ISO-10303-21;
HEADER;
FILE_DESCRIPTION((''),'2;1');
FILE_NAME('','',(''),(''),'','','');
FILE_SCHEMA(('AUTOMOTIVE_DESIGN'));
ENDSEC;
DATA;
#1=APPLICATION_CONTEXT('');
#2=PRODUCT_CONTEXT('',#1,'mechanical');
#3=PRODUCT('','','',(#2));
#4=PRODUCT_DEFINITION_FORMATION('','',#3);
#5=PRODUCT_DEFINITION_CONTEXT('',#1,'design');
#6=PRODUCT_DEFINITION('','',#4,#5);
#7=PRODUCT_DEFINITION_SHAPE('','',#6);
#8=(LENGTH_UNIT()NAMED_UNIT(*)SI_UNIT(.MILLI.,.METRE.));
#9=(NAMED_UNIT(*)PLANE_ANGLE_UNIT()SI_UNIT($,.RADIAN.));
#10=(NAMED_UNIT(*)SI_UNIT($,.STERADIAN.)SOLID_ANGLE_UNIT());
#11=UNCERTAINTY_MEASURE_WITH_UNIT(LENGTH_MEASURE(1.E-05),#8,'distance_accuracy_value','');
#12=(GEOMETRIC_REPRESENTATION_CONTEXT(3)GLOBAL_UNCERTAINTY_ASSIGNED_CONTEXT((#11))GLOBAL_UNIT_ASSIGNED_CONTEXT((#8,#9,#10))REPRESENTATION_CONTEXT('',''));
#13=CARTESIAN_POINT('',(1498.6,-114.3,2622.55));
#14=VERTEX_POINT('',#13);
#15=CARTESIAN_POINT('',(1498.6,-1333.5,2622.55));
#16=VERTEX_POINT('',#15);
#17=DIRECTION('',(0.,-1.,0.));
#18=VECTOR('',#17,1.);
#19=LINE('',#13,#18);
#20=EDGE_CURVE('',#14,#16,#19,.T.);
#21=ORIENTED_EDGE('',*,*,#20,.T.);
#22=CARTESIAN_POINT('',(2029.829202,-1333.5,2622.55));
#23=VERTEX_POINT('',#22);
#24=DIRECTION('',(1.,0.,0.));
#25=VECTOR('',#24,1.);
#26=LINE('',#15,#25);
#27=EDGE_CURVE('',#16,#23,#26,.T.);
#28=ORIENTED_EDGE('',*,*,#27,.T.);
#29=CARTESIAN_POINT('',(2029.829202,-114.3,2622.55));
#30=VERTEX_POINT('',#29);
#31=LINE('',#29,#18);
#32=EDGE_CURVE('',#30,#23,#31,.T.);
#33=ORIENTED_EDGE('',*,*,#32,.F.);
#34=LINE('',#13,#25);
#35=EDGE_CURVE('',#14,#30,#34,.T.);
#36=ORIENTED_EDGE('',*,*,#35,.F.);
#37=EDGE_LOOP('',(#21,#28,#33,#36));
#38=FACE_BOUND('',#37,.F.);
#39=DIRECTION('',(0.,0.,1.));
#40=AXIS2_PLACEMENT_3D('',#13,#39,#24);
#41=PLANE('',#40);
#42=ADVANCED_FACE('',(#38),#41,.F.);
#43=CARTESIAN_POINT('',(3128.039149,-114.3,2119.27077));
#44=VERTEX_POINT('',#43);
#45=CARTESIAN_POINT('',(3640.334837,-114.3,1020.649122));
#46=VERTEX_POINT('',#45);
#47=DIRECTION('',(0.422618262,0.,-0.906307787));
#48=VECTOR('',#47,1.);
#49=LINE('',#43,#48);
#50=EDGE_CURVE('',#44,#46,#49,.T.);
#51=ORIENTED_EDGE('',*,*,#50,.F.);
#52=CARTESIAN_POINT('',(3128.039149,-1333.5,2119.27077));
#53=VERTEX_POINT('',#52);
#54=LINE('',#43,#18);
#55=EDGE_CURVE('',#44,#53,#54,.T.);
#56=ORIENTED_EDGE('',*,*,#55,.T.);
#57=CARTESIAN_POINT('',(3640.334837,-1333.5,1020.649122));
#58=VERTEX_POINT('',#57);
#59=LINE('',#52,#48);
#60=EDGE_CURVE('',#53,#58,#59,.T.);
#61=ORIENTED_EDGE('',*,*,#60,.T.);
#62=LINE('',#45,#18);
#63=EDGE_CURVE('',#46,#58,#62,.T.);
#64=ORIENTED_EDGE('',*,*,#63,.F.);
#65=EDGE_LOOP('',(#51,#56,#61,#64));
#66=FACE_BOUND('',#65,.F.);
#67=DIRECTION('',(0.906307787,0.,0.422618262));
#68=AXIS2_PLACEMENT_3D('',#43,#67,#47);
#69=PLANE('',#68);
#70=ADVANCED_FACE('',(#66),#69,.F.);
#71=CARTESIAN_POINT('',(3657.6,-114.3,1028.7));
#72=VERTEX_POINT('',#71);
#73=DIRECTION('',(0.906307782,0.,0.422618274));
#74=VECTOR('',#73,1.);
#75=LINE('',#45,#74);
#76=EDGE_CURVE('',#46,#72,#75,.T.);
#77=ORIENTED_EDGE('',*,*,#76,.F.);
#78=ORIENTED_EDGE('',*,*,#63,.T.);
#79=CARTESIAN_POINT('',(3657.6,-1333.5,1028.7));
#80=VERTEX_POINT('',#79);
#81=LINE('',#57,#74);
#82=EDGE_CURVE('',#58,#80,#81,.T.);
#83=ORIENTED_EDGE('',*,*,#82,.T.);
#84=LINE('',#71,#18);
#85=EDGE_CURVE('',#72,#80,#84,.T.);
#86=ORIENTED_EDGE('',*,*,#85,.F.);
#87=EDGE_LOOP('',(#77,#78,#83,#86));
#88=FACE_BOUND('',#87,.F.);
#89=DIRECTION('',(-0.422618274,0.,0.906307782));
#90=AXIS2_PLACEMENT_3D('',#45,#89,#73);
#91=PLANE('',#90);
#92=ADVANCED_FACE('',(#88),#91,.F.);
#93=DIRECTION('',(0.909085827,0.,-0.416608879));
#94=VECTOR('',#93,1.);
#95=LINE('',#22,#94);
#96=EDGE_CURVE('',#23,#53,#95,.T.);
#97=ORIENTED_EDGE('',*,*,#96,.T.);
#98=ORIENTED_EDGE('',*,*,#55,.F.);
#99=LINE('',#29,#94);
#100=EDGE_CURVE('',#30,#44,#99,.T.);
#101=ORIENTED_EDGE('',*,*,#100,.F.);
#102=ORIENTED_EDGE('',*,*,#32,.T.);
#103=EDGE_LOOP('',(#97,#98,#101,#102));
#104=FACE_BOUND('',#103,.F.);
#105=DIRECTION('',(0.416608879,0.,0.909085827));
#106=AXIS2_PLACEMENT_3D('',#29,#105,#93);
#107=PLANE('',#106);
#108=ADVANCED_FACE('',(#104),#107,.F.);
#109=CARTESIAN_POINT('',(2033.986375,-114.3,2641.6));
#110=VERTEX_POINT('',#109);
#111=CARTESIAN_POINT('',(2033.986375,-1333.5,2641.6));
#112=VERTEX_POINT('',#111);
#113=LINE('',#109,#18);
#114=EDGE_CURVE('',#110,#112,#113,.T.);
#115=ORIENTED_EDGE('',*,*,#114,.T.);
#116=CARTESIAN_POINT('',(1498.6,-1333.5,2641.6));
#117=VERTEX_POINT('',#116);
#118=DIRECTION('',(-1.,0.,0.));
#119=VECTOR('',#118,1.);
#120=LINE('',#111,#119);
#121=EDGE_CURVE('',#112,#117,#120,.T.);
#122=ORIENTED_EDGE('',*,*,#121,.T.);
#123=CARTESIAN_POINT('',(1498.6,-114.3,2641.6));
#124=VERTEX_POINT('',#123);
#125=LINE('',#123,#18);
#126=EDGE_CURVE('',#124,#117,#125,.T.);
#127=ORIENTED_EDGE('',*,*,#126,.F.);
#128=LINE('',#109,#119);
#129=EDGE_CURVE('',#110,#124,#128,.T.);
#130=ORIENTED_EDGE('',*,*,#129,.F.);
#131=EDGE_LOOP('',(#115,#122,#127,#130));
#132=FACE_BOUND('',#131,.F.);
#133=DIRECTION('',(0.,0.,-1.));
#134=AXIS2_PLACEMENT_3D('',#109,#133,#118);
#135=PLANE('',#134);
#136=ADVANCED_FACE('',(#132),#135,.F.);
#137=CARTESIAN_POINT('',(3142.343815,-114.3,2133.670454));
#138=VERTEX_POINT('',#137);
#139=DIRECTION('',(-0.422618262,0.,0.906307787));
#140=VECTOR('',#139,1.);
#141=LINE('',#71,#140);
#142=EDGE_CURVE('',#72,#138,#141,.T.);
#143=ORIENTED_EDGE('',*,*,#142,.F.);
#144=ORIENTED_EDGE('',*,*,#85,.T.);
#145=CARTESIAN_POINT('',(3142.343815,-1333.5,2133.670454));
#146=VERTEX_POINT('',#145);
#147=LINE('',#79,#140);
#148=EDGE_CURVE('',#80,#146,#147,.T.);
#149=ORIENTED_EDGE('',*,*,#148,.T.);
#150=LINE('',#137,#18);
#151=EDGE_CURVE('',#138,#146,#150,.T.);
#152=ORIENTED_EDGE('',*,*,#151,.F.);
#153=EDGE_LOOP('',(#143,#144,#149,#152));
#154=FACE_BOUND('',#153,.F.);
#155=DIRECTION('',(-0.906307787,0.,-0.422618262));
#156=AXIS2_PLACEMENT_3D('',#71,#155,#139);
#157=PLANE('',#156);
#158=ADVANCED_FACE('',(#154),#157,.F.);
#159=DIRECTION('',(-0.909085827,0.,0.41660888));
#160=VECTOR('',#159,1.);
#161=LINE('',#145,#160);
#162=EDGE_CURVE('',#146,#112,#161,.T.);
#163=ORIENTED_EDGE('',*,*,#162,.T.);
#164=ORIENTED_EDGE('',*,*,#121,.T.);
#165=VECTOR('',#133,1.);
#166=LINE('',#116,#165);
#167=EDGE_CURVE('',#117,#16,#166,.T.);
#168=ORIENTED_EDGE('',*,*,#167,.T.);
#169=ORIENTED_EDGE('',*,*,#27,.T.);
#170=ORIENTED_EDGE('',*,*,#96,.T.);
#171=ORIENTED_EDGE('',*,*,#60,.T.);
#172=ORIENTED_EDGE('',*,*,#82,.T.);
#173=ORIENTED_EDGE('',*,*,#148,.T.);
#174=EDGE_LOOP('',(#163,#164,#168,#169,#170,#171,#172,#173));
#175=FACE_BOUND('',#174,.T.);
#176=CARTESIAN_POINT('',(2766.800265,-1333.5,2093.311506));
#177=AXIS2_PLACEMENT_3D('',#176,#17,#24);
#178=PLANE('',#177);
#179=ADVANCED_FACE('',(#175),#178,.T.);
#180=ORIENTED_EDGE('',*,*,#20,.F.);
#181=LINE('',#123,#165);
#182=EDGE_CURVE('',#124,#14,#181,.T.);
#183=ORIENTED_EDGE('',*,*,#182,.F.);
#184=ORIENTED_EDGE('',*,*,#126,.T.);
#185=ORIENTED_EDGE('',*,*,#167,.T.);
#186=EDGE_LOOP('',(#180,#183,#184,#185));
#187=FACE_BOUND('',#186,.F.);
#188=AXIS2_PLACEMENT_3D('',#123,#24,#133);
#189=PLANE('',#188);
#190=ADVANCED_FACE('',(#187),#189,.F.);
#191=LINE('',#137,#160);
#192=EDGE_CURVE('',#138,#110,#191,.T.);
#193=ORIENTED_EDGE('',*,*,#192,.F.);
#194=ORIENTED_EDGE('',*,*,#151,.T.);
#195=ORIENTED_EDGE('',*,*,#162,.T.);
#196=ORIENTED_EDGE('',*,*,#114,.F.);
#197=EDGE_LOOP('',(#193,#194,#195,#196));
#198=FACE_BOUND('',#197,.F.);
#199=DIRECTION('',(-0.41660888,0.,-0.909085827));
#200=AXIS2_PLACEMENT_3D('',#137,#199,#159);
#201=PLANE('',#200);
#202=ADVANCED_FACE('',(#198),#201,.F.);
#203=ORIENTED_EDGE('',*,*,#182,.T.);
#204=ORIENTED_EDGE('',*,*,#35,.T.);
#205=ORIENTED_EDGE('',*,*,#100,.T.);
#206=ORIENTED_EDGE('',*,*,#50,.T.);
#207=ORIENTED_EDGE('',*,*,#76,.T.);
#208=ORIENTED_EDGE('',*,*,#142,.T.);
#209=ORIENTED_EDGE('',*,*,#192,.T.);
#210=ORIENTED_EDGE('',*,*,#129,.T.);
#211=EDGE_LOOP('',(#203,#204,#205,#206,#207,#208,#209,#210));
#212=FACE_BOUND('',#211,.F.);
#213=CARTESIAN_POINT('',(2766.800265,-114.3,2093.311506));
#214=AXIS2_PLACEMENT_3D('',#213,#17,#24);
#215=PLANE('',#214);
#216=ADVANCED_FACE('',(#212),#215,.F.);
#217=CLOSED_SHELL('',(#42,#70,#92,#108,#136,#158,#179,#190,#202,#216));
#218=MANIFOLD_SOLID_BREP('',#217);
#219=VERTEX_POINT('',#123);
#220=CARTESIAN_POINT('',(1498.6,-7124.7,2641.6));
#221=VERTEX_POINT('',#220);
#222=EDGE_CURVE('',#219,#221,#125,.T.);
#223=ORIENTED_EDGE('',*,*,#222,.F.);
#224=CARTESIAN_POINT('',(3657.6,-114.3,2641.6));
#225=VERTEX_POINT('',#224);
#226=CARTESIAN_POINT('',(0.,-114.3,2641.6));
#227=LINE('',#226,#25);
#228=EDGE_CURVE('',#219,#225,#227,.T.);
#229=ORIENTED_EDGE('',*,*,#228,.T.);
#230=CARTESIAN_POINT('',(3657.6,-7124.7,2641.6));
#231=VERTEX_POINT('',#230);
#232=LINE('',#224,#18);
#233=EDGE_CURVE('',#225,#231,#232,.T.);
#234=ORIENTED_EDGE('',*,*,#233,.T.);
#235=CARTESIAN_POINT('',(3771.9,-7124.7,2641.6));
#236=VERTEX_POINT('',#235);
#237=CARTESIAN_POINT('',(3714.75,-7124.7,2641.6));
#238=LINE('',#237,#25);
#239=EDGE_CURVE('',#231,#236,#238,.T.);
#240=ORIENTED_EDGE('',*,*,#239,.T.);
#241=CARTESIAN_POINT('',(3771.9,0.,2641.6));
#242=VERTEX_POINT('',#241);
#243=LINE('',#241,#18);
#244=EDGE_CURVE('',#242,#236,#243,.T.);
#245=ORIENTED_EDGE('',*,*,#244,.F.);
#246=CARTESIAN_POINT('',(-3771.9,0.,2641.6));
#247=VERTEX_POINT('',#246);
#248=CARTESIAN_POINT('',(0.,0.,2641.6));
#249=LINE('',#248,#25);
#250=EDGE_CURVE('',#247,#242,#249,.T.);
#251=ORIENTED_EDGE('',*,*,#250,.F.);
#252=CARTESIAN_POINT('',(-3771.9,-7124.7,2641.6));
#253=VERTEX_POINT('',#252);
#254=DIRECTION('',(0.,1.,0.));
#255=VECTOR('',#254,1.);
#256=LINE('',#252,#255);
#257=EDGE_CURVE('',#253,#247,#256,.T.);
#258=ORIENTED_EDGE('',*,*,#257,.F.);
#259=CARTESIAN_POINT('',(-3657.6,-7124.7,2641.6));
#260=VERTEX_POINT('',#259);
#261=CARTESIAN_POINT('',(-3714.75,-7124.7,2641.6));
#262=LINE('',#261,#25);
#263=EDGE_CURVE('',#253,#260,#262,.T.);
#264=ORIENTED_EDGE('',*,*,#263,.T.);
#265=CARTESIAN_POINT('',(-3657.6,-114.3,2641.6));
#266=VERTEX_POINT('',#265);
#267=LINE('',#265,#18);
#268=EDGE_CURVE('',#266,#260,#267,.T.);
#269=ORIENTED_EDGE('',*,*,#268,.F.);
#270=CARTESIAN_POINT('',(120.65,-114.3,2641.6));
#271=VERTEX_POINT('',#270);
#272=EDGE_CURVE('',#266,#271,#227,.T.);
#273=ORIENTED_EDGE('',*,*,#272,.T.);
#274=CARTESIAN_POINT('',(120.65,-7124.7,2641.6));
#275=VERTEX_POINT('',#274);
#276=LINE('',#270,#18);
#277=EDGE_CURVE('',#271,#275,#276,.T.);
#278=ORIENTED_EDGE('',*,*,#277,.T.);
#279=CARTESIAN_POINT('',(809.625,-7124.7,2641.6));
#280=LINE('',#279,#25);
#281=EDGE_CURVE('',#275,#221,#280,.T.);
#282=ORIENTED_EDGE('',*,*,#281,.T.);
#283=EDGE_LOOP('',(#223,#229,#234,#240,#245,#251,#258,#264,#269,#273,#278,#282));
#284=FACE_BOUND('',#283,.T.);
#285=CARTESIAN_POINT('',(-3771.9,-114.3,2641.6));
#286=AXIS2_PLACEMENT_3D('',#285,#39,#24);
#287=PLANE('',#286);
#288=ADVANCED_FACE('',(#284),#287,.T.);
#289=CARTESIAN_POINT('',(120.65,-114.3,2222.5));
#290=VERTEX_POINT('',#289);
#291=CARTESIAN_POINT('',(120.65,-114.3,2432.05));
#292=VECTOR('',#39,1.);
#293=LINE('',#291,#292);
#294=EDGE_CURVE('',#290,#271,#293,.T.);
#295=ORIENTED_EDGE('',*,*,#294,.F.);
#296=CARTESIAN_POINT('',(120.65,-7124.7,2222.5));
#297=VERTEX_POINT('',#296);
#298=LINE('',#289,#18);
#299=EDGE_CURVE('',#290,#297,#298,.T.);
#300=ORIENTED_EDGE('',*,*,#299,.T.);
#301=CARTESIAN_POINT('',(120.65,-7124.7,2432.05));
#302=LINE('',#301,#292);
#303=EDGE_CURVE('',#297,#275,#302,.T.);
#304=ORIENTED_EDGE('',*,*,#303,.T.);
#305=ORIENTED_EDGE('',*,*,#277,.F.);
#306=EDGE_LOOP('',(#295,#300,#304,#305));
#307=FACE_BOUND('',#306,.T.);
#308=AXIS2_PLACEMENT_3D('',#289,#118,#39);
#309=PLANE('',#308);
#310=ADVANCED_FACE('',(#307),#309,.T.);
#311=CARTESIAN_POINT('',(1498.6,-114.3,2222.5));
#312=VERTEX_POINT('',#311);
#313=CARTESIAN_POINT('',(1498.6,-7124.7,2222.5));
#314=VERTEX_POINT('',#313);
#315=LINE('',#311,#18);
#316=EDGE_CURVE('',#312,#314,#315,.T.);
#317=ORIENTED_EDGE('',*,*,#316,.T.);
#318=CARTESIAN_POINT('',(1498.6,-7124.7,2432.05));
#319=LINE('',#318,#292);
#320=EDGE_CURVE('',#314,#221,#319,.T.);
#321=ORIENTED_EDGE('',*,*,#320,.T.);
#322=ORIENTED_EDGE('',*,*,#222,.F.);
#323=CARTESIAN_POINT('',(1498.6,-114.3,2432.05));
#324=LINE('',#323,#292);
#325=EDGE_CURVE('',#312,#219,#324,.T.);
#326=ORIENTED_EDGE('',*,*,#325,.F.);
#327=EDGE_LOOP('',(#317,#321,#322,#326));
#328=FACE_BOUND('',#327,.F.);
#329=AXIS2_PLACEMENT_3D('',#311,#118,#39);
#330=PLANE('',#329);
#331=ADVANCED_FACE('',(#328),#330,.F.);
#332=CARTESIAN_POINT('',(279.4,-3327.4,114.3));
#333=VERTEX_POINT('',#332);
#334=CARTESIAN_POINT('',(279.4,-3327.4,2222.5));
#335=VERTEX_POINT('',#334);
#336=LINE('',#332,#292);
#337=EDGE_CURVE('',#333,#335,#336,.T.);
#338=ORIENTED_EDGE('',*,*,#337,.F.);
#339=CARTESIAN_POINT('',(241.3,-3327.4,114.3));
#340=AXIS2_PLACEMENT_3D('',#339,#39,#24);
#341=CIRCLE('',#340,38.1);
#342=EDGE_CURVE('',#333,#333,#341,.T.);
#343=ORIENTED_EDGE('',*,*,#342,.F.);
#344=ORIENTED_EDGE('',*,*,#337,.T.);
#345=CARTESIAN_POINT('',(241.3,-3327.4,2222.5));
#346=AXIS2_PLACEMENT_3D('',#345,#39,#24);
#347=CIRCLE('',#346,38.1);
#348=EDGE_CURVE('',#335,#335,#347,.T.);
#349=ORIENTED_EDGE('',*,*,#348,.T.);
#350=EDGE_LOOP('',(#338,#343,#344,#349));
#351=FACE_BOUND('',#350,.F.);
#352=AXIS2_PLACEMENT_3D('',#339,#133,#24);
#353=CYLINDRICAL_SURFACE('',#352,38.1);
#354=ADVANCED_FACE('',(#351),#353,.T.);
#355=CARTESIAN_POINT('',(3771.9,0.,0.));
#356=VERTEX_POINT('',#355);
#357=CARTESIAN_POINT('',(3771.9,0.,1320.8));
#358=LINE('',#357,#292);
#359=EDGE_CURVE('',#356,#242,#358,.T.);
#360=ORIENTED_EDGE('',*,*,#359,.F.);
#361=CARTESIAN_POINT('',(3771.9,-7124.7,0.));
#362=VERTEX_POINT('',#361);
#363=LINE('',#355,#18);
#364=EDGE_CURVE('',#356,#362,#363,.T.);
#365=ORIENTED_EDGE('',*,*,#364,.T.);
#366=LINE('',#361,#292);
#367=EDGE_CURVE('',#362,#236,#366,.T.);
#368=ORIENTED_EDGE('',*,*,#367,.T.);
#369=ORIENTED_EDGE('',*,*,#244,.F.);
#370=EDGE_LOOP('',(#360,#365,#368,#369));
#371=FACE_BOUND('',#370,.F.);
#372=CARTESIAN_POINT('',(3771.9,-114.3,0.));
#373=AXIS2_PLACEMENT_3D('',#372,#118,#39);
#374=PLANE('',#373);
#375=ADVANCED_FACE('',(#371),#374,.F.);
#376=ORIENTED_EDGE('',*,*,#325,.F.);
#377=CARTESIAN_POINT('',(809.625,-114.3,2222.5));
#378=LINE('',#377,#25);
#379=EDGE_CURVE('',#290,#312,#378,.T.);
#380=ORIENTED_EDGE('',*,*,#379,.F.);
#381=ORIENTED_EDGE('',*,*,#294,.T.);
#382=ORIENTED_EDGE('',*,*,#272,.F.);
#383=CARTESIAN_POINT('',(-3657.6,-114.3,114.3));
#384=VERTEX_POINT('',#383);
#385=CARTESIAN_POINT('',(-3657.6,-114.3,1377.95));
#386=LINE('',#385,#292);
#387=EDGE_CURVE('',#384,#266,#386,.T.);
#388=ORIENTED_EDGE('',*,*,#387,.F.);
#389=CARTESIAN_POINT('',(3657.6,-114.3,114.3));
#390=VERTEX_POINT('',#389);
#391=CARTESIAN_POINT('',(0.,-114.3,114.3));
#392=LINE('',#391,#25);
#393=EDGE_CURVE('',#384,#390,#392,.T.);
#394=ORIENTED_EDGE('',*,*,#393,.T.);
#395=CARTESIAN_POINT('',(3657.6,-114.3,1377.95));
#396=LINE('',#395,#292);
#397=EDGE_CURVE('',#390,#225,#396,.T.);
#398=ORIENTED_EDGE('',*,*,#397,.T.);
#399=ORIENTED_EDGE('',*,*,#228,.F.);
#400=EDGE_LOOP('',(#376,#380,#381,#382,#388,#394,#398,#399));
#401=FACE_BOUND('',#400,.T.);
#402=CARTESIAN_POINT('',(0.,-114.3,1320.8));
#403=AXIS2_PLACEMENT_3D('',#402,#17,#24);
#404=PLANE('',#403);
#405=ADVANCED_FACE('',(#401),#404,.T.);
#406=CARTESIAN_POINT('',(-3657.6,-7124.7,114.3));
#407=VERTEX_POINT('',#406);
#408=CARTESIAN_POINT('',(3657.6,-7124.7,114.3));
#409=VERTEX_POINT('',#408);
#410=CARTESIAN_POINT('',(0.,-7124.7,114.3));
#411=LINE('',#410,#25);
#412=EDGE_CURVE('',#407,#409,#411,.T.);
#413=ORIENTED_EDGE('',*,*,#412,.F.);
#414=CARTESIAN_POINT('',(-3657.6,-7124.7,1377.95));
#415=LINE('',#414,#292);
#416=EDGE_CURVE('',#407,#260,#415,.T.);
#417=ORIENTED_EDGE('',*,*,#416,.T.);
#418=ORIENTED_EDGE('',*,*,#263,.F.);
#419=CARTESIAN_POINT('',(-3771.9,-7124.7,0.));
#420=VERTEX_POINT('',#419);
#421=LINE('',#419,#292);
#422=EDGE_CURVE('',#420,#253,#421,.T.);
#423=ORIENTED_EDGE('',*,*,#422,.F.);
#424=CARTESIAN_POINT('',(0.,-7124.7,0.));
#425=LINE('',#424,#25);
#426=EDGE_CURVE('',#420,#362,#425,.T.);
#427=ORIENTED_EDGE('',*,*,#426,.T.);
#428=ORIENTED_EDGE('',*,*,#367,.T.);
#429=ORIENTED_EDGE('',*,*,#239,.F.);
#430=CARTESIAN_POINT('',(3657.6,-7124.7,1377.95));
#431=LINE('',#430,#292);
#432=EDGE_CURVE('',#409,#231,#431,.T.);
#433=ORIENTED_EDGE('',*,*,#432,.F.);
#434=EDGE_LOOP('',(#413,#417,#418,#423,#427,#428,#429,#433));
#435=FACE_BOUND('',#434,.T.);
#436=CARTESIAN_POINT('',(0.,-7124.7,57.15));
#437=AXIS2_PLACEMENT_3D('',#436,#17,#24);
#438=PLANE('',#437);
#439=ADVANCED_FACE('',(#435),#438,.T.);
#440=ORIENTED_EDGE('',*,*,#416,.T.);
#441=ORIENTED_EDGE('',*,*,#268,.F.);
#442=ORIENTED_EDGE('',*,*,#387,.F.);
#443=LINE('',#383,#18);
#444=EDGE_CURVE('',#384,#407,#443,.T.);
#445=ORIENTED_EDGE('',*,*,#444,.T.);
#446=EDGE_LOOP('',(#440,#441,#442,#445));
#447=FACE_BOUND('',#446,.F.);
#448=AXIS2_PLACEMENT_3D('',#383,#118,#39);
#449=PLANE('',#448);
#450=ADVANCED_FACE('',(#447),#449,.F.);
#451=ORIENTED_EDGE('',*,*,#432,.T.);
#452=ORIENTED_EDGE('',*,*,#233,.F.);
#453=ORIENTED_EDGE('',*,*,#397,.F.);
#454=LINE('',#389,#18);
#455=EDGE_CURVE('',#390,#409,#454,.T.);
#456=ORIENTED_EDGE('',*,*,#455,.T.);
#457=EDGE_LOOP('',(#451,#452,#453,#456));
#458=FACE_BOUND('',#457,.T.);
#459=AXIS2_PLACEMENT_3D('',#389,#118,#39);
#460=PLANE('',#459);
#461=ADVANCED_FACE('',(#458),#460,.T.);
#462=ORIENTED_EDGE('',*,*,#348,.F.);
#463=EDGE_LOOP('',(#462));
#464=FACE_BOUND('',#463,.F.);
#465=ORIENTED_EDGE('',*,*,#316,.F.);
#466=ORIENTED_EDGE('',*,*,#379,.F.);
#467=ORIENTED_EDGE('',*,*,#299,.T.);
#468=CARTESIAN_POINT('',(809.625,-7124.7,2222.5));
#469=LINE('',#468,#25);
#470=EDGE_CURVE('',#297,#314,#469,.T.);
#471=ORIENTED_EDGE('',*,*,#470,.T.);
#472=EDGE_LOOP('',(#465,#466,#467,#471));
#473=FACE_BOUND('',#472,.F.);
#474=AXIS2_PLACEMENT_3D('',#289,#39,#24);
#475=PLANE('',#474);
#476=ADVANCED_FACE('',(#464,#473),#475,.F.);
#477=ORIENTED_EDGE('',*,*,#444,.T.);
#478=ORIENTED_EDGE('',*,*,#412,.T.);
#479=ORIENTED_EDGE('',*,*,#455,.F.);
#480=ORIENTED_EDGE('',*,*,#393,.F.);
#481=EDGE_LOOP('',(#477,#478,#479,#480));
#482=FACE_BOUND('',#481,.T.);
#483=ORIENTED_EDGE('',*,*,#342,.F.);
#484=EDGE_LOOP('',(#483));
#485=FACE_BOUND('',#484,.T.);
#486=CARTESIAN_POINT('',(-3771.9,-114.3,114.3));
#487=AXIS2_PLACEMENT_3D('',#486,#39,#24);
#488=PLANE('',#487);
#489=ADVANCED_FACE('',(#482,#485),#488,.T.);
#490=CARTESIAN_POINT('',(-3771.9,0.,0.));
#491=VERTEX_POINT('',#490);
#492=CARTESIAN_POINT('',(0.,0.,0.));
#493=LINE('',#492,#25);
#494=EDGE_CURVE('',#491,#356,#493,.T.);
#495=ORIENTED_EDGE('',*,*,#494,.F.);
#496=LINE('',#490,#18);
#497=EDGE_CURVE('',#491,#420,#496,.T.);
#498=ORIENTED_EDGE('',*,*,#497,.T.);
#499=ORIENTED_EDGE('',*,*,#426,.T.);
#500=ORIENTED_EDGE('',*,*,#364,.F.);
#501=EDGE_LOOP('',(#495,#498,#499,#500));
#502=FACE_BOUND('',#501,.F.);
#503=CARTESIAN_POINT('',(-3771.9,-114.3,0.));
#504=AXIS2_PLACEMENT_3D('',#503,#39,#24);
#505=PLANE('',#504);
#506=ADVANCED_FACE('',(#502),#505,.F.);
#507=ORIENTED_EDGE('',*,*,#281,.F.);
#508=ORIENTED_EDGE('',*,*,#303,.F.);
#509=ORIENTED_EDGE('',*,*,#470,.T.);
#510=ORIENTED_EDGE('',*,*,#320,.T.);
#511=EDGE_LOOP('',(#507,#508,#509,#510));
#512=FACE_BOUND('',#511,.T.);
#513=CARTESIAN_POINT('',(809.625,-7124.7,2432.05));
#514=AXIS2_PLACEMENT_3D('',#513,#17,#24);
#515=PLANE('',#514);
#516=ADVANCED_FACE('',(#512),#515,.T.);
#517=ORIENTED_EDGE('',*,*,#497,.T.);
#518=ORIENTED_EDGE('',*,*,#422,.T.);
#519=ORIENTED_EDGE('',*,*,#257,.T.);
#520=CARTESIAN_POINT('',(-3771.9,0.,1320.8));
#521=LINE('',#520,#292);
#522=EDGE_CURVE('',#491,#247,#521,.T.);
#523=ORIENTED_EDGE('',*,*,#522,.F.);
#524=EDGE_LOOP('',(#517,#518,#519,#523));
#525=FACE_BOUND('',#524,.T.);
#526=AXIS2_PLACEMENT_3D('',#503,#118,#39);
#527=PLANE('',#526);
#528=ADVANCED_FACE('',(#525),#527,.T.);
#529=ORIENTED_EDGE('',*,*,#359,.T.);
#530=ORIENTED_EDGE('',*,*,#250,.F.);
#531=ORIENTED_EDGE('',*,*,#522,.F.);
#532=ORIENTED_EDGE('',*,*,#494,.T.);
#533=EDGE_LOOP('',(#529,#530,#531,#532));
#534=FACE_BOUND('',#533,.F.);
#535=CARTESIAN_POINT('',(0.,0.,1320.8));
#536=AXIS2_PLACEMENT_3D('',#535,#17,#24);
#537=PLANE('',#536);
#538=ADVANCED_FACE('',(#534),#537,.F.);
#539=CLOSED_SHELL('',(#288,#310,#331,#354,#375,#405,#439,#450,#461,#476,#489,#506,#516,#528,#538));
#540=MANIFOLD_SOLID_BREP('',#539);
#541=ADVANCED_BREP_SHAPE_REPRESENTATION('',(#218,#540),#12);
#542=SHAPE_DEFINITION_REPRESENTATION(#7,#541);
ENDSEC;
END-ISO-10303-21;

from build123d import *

# Parameters (mm, degrees)
F0_W      = 7543.8
F0_H      = 2641.6
F1_DEPTH  = 114.3
F2_W      = 7543.8
F2_H      = 114.3
F3_W      = 114.3
F3_H      = 2527.3
F4_W      = 114.3
F4_H      = 2527.3
F5_W      = 1377.95
F5_H      = 419.1
F6_DEPTH  = 7010.4
F8_DEPTH  = 1219.2
F9_R      = 38.1
F10_DEPTH = 2108.2


with BuildPart() as f1:
    # F0 (on Front) → F1 (new body)
    with BuildSketch(Plane.XZ):
        with Locations((0, 1320.8)):
            Rectangle(F0_W, F0_H)
    extrude(amount=F1_DEPTH)

    # F2 (on face) + F3 (on face) + F4 (on face) + F5 (on face) → F6 (join)
    with BuildSketch(Plane.XZ.offset(114.3)):
        with Locations((0, 57.15)):
            Rectangle(F2_W, F2_H)
    with BuildSketch(Plane.XZ.offset(114.3)):
        with Locations((3714.75, 1377.95)):
            Rectangle(F3_W, F3_H)
    with BuildSketch(Plane.XZ.offset(114.3)):
        with Locations((-3714.75, 1377.95)):
            Rectangle(F4_W, F4_H)
    with BuildSketch(Plane.XZ.offset(114.3)):
        with Locations((809.625, 2432.05)):
            Rectangle(F5_W, F5_H)
    extrude(amount=F6_DEPTH)

    # F9 (on face) → F10 (join)
    with BuildSketch(Plane.XY.offset(114.3)):
        with Locations((241.3, -3327.4)):
            Circle(F9_R)
    extrude(amount=F10_DEPTH)


with BuildPart() as f8:
    # F7 (on face) → F8 (new body)
    with BuildSketch(Plane.XZ.offset(114.3)):
        Polygon((3657.6, 1028.7), (3142.343815, 2133.670454), (2033.986375, 2641.6), (1498.6, 2641.6), (1498.6, 2622.55), (2029.829202, 2622.55), (3128.039149, 2119.27077), (3640.334837, 1020.649122), align=None)
    extrude(amount=F8_DEPTH)


solid = Compound([f1.part, f8.part])
